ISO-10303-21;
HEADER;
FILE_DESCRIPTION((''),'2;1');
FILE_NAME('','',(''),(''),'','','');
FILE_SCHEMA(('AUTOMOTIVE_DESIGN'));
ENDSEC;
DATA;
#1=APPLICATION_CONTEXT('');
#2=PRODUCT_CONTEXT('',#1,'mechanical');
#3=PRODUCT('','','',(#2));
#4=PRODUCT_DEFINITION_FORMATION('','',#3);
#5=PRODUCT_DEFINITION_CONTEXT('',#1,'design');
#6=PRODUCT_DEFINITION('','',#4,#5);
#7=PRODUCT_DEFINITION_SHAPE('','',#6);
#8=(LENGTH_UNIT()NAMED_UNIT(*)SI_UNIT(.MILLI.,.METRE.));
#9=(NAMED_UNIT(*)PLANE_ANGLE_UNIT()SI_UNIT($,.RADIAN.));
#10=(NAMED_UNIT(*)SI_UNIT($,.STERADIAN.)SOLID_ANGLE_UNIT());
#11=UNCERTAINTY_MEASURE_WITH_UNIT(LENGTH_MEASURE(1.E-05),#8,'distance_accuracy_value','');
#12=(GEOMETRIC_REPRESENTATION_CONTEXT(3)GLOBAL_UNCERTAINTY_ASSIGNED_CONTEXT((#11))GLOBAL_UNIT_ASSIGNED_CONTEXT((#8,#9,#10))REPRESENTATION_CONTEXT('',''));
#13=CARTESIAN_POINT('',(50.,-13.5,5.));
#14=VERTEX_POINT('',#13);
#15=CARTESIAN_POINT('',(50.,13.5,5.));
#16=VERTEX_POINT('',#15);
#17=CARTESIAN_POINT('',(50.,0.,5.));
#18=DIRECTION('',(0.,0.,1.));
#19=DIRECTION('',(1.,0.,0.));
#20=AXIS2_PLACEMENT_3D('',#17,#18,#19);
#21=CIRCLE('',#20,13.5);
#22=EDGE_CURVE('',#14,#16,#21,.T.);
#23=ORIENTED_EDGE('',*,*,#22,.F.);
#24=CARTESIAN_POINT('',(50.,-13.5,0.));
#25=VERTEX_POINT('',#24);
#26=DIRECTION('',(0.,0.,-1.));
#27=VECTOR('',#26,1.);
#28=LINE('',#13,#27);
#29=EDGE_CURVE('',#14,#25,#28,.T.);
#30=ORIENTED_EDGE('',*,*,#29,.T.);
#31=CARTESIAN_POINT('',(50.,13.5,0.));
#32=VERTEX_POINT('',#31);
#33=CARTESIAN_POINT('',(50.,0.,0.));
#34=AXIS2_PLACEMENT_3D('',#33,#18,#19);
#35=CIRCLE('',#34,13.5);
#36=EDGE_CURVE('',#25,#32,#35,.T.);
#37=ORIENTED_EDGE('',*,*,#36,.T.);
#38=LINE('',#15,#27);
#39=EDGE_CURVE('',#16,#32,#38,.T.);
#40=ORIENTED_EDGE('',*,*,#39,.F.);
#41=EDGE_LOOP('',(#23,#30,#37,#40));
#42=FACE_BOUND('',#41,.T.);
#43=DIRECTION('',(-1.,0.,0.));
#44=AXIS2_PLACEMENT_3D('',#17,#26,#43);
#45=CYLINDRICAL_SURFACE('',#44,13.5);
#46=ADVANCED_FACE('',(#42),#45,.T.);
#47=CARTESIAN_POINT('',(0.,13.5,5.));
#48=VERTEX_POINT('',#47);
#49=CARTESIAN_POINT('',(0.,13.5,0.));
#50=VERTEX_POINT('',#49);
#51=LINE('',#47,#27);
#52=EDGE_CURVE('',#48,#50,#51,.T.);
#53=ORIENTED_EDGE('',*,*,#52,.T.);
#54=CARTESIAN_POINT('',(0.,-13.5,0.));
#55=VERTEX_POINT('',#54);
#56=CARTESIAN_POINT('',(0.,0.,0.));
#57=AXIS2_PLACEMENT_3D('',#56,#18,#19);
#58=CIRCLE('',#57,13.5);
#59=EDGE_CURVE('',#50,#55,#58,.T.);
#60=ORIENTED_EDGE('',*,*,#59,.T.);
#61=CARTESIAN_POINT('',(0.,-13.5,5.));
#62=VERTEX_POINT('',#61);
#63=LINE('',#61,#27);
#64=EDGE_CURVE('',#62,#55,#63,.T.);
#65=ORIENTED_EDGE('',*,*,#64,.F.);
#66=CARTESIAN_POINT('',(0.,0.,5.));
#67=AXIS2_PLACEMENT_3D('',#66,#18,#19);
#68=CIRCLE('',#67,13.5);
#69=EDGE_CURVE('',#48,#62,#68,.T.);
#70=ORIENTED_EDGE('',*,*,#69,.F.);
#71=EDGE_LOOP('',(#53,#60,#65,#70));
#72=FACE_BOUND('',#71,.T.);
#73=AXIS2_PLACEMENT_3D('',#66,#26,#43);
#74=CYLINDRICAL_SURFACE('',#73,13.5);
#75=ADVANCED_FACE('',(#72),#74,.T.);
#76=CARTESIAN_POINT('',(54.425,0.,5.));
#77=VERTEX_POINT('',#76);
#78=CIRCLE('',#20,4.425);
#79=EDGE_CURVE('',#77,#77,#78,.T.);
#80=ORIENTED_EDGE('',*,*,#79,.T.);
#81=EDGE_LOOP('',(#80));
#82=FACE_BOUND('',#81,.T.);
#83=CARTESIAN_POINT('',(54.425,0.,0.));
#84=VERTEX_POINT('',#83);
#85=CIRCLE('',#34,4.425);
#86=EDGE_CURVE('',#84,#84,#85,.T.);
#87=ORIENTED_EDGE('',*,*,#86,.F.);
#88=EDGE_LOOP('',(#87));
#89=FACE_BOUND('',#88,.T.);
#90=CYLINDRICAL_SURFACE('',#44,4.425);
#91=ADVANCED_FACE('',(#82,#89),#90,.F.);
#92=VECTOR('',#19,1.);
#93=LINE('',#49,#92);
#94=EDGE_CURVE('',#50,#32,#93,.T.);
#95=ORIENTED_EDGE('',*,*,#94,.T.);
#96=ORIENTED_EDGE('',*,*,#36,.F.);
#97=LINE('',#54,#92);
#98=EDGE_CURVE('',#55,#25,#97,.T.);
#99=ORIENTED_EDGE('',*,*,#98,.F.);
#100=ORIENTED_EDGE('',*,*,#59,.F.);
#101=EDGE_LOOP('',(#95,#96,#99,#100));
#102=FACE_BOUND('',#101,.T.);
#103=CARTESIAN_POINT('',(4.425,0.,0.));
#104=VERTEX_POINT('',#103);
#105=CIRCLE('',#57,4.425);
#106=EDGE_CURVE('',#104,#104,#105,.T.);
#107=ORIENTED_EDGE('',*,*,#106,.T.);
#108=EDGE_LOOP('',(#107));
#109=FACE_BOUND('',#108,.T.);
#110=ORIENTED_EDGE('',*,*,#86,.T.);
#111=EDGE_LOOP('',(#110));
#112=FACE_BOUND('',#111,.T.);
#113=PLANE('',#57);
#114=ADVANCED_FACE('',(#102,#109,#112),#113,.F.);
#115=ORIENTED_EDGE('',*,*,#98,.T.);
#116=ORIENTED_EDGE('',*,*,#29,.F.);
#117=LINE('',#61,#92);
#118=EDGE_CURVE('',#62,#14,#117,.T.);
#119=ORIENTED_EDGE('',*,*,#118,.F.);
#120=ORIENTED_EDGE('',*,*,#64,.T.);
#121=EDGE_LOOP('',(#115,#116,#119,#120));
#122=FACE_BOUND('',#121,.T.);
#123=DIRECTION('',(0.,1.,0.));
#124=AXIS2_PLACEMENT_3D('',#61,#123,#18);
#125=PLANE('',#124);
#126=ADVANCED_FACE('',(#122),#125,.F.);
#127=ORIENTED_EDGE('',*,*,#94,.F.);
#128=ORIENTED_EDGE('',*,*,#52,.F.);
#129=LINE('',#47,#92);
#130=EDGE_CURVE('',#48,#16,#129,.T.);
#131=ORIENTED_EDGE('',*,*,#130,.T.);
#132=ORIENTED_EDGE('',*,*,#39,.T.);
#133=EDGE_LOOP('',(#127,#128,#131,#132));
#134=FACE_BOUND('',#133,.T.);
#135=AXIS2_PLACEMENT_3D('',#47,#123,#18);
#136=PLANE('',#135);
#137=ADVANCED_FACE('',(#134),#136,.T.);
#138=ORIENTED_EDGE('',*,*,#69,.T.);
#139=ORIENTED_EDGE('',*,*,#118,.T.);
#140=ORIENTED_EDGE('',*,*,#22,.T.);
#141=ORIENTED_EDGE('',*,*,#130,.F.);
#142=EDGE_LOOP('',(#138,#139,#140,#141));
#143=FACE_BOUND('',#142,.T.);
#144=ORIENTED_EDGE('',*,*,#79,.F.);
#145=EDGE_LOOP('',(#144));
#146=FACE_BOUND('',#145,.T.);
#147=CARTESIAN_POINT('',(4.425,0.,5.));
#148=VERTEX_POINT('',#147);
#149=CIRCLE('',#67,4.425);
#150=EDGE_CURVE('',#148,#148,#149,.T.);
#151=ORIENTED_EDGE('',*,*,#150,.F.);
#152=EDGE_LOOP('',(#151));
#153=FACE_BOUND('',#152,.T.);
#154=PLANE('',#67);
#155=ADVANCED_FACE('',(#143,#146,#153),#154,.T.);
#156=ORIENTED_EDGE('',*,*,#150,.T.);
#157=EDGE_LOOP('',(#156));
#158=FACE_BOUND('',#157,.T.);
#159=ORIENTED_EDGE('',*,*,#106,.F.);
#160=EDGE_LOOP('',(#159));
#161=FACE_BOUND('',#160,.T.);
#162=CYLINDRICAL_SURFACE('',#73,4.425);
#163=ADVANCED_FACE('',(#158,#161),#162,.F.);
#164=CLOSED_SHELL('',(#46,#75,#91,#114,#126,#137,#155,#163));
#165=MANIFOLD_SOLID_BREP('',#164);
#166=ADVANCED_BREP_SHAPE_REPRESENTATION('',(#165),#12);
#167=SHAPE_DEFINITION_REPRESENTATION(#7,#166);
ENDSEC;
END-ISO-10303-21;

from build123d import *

# Parameters (mm, degrees)
SKETCH1_R           = 4.425
BOSS_EXTRUDE1_DEPTH = 5


with BuildPart() as part:
    # Sketch1 → Boss-Extrude1 (new body)
    with BuildSketch(Plane.XY):
        with BuildLine():
            ThreePointArc((0, 13.5), (-13.5, 0), (0, -13.5))
            Line((0, -13.5), (50, -13.5))
            ThreePointArc((50, -13.5), (63.5, 0), (50, 13.5))
            Line((50, 13.5), (0, 13.5))
        make_face()
        Circle(SKETCH1_R, mode=Mode.SUBTRACT)
        with Locations((50, 0)):
            Circle(SKETCH1_R, mode=Mode.SUBTRACT)
    extrude(amount=BOSS_EXTRUDE1_DEPTH)


solid = part.part
